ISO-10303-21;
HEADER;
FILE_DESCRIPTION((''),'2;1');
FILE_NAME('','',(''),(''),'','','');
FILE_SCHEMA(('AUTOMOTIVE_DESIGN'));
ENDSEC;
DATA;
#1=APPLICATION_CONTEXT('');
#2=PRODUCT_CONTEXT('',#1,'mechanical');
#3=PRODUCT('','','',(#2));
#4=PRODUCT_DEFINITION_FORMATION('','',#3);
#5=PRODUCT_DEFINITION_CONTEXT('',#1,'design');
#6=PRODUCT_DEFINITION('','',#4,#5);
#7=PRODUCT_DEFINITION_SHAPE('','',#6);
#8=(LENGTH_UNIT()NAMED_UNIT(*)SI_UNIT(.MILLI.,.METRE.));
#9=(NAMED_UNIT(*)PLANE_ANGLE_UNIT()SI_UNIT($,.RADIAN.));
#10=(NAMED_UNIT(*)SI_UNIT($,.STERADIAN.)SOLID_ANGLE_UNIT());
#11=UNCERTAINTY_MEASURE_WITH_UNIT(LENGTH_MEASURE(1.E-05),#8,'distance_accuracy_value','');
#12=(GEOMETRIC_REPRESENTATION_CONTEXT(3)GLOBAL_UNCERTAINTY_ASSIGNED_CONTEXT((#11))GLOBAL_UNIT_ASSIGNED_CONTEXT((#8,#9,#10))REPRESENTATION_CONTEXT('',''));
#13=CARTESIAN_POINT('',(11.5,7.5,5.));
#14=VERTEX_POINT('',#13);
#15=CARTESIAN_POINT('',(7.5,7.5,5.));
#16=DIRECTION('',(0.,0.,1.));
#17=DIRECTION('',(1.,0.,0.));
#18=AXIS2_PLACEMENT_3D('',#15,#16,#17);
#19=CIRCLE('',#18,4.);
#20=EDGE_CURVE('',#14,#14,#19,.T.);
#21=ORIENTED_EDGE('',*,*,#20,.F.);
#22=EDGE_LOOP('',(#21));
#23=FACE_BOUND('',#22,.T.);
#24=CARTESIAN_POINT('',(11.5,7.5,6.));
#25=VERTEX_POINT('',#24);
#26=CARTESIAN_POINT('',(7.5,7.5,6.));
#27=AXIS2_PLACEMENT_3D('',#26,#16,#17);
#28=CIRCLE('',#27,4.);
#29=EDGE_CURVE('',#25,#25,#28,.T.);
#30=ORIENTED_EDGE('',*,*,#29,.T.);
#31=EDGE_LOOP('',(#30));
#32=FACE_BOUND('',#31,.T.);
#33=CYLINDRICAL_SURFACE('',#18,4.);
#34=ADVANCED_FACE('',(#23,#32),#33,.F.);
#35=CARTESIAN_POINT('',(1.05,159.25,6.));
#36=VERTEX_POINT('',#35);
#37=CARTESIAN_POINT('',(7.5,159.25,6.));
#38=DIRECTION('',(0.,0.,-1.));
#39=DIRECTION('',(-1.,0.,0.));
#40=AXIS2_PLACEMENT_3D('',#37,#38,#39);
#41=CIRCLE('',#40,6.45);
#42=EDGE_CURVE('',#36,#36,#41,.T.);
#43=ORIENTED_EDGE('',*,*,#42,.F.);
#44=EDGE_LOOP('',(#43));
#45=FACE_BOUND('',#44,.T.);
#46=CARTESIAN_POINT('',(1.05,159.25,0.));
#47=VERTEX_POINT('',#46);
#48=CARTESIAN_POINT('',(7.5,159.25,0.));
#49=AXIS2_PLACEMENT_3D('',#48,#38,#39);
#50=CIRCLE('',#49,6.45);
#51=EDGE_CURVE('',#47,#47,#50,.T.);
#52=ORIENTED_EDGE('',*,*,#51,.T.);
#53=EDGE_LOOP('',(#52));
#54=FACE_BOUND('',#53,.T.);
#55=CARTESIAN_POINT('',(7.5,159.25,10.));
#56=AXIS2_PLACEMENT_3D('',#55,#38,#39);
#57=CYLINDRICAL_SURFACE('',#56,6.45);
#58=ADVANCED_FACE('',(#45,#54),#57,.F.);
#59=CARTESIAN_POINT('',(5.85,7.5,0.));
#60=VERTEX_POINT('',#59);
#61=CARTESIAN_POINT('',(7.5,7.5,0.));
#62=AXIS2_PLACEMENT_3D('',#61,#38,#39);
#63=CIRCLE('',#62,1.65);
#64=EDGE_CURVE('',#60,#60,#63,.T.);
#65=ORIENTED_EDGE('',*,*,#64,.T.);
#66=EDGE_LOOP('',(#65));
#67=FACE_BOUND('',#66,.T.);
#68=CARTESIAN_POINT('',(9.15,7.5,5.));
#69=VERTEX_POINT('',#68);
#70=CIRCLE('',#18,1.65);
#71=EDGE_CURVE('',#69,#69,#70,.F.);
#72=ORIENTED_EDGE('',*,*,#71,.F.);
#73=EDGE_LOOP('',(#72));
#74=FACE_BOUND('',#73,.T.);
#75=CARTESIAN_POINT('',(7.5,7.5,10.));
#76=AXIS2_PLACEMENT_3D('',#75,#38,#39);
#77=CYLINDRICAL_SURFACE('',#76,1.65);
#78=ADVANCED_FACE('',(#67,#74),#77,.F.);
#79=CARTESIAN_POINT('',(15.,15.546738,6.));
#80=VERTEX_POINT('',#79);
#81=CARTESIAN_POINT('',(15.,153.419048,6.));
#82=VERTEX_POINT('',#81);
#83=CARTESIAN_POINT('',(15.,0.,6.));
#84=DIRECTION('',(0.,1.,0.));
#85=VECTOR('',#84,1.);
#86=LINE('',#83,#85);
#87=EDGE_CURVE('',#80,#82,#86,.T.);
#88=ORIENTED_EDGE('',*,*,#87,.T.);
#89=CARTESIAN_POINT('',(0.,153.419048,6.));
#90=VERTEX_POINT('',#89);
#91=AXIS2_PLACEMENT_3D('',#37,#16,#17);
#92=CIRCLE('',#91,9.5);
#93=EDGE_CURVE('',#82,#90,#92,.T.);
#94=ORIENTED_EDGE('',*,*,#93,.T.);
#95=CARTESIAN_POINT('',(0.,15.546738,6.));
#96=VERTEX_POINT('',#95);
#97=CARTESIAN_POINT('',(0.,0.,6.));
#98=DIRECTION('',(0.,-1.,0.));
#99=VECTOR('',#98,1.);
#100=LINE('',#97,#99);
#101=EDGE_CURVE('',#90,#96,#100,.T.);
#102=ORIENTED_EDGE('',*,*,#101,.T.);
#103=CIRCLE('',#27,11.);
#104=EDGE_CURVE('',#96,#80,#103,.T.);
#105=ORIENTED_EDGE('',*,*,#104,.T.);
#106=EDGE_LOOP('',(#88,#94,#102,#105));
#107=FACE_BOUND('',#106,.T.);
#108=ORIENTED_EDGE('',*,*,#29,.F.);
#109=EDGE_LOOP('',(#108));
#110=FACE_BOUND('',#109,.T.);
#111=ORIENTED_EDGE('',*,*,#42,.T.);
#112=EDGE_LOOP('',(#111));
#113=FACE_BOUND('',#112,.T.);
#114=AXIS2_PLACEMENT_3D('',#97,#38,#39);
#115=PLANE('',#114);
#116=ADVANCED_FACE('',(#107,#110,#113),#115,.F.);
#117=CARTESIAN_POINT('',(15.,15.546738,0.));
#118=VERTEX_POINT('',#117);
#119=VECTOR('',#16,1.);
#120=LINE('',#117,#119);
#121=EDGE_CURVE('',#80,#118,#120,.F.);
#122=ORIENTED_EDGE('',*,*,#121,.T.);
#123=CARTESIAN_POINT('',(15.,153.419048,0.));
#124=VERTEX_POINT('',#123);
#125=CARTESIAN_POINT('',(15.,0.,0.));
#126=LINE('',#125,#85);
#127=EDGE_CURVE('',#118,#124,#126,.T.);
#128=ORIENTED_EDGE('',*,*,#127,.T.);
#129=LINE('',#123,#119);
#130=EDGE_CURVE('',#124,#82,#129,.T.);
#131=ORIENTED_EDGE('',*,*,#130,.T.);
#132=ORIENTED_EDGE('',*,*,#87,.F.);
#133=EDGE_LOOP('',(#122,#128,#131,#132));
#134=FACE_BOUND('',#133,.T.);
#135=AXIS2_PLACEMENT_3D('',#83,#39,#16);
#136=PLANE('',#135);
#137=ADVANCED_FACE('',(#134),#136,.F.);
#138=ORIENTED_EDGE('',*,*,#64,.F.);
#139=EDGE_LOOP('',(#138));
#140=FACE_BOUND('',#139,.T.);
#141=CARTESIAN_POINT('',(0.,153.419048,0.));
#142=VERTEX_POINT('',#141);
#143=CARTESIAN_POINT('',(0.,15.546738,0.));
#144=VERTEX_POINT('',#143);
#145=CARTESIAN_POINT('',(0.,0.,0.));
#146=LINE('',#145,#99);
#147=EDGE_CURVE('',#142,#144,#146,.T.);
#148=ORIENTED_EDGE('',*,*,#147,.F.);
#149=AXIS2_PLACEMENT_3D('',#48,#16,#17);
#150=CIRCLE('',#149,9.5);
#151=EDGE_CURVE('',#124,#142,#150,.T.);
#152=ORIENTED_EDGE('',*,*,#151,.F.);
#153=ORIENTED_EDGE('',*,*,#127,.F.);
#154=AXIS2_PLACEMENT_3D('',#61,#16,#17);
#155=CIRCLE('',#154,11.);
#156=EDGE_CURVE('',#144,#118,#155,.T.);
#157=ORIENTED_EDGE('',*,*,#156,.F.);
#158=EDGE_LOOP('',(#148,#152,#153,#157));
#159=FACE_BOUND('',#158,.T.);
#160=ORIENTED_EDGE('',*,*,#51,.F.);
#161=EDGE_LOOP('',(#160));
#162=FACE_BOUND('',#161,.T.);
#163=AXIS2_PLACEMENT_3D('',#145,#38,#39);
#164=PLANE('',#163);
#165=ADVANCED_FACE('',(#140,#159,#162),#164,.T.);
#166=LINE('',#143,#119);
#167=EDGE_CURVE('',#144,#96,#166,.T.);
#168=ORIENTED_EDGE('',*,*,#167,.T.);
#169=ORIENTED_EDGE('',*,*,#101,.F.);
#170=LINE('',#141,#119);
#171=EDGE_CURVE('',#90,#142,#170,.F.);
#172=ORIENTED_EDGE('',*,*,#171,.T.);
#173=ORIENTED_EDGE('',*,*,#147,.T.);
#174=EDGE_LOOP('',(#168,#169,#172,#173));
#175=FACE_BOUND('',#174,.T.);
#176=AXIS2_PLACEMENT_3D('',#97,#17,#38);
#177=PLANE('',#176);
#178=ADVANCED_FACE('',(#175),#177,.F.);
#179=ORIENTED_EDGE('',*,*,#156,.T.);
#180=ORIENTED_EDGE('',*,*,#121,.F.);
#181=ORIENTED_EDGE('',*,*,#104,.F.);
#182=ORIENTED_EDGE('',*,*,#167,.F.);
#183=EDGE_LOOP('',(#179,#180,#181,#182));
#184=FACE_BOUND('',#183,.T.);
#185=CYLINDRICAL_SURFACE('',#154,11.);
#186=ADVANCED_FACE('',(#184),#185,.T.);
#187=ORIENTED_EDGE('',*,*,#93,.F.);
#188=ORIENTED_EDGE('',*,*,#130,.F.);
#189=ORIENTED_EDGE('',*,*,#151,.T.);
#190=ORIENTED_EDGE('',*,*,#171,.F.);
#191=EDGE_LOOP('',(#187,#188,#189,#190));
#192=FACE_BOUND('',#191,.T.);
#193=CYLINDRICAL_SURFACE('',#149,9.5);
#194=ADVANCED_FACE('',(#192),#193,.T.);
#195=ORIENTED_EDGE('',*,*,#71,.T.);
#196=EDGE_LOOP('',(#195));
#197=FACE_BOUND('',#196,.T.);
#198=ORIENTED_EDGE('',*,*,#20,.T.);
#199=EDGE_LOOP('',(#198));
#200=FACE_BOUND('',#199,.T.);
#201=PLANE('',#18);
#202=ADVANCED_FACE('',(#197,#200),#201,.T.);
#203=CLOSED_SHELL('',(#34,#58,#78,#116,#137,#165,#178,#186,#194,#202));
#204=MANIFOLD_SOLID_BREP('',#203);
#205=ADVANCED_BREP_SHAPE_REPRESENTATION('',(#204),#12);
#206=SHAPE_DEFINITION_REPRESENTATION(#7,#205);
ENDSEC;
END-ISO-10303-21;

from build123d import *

# Parameters (mm, degrees)
ESQUISSE1_W             = 15
ESQUISSE1_H             = 165
BOSS_EXTRU_1_DEPTH      = 6
ESQUISSE2_R             = 11
ESQUISSE2_R_2           = 9.5
BOSS_EXTRU_2_DEPTH      = 6
ESQUISSE3_R             = 1.65
ESQUISSE3_R_2           = 6.45
ENL_V_MAT_EXTRU_1_DEPTH = 10
ESQUISSE4_R             = 4
ENL_V_MAT_EXTRU_2_DEPTH = 1


with BuildPart() as part:
    # Esquisse1 → Boss.-Extru.1 (new body)
    with BuildSketch(Plane.XY):
        with Locations((7.5, 82.5)):
            Rectangle(ESQUISSE1_W, ESQUISSE1_H)
    extrude(amount=BOSS_EXTRU_1_DEPTH)

    # Esquisse2 → Boss.-Extru.2 (add)
    with BuildSketch(Plane.XY.offset(6)):
        with Locations((7.5, 7.5)):
            Circle(ESQUISSE2_R)
        with Locations((7.5, 159.25)):
            Circle(ESQUISSE2_R_2)
    extrude(amount=-BOSS_EXTRU_2_DEPTH)

    # Esquisse3 → Enlèv. mat.-Extru.1 (cut)
    with BuildSketch(Plane(origin=(0, 0, 0), x_dir=(-1, 0, 0), z_dir=(0, 0, -1))):
        with Locations((-7.5, 7.5)):
            Circle(ESQUISSE3_R)
        with Locations((-7.5, 159.25)):
            Circle(ESQUISSE3_R_2)
    extrude(amount=-ENL_V_MAT_EXTRU_1_DEPTH, mode=Mode.SUBTRACT)

    # Esquisse4 → Enlèv. mat.-Extru.2 (cut)
    with BuildSketch(Plane.XY.offset(6)):
        with Locations((7.5, 7.5)):
            Circle(ESQUISSE4_R)
    extrude(amount=-ENL_V_MAT_EXTRU_2_DEPTH, mode=Mode.SUBTRACT)


solid = part.part
